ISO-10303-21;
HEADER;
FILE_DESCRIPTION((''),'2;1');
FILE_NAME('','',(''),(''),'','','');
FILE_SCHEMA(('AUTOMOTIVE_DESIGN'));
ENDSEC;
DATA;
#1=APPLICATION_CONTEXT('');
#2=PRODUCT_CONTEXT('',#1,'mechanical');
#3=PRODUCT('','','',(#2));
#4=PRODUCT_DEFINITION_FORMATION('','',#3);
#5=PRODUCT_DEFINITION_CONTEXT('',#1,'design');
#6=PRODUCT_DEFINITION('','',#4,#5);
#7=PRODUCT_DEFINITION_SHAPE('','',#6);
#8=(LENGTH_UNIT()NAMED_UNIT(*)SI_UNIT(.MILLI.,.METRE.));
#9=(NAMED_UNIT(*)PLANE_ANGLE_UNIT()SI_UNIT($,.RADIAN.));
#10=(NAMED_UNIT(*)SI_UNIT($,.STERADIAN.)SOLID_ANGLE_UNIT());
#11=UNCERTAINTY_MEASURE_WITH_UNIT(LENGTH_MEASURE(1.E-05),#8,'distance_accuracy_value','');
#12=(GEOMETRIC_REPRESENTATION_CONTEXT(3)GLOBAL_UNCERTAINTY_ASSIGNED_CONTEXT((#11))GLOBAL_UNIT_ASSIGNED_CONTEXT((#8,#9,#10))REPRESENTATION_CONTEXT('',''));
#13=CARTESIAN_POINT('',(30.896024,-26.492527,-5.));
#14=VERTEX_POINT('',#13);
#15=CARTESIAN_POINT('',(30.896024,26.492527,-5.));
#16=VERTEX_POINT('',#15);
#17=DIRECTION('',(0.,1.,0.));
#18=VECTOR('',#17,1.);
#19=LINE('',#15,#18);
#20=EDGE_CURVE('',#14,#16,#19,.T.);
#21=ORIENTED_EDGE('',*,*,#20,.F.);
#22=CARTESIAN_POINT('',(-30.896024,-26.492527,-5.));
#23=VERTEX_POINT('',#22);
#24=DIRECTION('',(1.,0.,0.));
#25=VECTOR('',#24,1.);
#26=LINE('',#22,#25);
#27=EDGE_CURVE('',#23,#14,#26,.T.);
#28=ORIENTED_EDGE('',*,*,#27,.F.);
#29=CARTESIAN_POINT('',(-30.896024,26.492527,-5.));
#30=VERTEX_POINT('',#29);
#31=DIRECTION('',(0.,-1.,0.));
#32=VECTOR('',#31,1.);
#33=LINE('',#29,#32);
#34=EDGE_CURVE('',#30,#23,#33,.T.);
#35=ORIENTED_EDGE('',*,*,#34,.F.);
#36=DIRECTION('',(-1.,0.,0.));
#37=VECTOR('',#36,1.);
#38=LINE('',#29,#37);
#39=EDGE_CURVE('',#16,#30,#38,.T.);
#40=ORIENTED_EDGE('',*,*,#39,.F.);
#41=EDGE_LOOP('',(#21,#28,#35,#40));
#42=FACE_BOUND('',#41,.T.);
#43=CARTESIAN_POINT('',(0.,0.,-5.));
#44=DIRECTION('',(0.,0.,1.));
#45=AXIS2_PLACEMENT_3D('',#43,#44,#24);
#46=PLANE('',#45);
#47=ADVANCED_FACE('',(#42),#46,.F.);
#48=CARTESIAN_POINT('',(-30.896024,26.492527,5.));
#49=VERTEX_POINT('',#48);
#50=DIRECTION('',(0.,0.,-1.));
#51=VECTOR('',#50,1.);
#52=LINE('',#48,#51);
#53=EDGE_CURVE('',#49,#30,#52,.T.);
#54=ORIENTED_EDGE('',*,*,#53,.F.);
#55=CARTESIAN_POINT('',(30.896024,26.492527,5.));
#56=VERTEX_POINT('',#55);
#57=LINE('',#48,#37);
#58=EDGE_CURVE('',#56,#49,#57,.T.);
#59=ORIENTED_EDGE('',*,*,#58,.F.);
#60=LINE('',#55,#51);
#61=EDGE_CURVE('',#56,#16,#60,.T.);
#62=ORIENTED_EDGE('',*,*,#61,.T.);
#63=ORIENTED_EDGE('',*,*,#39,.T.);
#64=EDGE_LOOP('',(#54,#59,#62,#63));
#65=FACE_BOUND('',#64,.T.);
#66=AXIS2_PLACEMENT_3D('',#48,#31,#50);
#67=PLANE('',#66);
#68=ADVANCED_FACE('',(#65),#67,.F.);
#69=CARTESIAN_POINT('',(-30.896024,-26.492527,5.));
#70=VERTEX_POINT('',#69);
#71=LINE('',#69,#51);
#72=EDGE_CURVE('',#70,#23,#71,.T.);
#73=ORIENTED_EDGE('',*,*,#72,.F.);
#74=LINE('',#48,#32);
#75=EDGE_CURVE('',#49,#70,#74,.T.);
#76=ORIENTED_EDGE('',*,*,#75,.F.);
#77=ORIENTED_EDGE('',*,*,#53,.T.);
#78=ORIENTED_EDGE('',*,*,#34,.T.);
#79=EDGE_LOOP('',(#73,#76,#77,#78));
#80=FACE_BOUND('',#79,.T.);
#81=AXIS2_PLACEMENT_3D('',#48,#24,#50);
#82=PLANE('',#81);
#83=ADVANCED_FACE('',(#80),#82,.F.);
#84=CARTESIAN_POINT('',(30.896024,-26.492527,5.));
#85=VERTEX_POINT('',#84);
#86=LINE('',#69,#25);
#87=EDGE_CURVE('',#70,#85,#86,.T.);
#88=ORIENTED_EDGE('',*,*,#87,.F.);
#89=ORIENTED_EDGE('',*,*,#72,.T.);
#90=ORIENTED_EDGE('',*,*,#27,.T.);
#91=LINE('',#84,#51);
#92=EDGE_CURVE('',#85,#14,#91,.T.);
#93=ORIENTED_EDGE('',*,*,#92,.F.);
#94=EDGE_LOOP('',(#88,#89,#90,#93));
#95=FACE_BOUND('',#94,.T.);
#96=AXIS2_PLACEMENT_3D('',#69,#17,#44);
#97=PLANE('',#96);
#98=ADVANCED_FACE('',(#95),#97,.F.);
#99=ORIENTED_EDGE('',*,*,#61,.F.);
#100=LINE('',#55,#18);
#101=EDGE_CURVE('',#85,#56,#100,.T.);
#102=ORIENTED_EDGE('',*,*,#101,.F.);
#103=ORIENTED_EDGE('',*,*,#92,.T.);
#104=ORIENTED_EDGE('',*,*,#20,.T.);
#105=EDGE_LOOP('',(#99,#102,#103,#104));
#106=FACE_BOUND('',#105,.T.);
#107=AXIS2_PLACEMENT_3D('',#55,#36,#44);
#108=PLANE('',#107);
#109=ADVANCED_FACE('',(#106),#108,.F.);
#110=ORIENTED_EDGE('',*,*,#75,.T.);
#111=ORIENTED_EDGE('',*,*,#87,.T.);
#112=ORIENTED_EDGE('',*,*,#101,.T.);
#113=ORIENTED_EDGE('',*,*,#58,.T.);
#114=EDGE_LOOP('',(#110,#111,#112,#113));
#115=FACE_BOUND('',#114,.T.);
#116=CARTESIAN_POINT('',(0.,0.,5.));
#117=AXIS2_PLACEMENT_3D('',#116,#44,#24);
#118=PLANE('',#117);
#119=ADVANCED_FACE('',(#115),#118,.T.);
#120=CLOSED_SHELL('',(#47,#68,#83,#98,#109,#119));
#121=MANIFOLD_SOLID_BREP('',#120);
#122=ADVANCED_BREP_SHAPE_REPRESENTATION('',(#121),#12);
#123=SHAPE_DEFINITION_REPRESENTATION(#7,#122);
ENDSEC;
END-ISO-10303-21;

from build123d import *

# Parameters (mm, degrees)
ESBO_O1_W                = 61.792048588
ESBO_O1_H                = 52.985054764
RESSALTO_EXTRUS_O1_DEPTH = 5


with BuildPart() as part:
    # Esboço1 → Ressalto-extrusão1 (new, symmetric)
    with BuildSketch(Plane.XY):
        Rectangle(ESBO_O1_W, ESBO_O1_H)
    extrude(amount=RESSALTO_EXTRUS_O1_DEPTH, both=True)


solid = part.part
